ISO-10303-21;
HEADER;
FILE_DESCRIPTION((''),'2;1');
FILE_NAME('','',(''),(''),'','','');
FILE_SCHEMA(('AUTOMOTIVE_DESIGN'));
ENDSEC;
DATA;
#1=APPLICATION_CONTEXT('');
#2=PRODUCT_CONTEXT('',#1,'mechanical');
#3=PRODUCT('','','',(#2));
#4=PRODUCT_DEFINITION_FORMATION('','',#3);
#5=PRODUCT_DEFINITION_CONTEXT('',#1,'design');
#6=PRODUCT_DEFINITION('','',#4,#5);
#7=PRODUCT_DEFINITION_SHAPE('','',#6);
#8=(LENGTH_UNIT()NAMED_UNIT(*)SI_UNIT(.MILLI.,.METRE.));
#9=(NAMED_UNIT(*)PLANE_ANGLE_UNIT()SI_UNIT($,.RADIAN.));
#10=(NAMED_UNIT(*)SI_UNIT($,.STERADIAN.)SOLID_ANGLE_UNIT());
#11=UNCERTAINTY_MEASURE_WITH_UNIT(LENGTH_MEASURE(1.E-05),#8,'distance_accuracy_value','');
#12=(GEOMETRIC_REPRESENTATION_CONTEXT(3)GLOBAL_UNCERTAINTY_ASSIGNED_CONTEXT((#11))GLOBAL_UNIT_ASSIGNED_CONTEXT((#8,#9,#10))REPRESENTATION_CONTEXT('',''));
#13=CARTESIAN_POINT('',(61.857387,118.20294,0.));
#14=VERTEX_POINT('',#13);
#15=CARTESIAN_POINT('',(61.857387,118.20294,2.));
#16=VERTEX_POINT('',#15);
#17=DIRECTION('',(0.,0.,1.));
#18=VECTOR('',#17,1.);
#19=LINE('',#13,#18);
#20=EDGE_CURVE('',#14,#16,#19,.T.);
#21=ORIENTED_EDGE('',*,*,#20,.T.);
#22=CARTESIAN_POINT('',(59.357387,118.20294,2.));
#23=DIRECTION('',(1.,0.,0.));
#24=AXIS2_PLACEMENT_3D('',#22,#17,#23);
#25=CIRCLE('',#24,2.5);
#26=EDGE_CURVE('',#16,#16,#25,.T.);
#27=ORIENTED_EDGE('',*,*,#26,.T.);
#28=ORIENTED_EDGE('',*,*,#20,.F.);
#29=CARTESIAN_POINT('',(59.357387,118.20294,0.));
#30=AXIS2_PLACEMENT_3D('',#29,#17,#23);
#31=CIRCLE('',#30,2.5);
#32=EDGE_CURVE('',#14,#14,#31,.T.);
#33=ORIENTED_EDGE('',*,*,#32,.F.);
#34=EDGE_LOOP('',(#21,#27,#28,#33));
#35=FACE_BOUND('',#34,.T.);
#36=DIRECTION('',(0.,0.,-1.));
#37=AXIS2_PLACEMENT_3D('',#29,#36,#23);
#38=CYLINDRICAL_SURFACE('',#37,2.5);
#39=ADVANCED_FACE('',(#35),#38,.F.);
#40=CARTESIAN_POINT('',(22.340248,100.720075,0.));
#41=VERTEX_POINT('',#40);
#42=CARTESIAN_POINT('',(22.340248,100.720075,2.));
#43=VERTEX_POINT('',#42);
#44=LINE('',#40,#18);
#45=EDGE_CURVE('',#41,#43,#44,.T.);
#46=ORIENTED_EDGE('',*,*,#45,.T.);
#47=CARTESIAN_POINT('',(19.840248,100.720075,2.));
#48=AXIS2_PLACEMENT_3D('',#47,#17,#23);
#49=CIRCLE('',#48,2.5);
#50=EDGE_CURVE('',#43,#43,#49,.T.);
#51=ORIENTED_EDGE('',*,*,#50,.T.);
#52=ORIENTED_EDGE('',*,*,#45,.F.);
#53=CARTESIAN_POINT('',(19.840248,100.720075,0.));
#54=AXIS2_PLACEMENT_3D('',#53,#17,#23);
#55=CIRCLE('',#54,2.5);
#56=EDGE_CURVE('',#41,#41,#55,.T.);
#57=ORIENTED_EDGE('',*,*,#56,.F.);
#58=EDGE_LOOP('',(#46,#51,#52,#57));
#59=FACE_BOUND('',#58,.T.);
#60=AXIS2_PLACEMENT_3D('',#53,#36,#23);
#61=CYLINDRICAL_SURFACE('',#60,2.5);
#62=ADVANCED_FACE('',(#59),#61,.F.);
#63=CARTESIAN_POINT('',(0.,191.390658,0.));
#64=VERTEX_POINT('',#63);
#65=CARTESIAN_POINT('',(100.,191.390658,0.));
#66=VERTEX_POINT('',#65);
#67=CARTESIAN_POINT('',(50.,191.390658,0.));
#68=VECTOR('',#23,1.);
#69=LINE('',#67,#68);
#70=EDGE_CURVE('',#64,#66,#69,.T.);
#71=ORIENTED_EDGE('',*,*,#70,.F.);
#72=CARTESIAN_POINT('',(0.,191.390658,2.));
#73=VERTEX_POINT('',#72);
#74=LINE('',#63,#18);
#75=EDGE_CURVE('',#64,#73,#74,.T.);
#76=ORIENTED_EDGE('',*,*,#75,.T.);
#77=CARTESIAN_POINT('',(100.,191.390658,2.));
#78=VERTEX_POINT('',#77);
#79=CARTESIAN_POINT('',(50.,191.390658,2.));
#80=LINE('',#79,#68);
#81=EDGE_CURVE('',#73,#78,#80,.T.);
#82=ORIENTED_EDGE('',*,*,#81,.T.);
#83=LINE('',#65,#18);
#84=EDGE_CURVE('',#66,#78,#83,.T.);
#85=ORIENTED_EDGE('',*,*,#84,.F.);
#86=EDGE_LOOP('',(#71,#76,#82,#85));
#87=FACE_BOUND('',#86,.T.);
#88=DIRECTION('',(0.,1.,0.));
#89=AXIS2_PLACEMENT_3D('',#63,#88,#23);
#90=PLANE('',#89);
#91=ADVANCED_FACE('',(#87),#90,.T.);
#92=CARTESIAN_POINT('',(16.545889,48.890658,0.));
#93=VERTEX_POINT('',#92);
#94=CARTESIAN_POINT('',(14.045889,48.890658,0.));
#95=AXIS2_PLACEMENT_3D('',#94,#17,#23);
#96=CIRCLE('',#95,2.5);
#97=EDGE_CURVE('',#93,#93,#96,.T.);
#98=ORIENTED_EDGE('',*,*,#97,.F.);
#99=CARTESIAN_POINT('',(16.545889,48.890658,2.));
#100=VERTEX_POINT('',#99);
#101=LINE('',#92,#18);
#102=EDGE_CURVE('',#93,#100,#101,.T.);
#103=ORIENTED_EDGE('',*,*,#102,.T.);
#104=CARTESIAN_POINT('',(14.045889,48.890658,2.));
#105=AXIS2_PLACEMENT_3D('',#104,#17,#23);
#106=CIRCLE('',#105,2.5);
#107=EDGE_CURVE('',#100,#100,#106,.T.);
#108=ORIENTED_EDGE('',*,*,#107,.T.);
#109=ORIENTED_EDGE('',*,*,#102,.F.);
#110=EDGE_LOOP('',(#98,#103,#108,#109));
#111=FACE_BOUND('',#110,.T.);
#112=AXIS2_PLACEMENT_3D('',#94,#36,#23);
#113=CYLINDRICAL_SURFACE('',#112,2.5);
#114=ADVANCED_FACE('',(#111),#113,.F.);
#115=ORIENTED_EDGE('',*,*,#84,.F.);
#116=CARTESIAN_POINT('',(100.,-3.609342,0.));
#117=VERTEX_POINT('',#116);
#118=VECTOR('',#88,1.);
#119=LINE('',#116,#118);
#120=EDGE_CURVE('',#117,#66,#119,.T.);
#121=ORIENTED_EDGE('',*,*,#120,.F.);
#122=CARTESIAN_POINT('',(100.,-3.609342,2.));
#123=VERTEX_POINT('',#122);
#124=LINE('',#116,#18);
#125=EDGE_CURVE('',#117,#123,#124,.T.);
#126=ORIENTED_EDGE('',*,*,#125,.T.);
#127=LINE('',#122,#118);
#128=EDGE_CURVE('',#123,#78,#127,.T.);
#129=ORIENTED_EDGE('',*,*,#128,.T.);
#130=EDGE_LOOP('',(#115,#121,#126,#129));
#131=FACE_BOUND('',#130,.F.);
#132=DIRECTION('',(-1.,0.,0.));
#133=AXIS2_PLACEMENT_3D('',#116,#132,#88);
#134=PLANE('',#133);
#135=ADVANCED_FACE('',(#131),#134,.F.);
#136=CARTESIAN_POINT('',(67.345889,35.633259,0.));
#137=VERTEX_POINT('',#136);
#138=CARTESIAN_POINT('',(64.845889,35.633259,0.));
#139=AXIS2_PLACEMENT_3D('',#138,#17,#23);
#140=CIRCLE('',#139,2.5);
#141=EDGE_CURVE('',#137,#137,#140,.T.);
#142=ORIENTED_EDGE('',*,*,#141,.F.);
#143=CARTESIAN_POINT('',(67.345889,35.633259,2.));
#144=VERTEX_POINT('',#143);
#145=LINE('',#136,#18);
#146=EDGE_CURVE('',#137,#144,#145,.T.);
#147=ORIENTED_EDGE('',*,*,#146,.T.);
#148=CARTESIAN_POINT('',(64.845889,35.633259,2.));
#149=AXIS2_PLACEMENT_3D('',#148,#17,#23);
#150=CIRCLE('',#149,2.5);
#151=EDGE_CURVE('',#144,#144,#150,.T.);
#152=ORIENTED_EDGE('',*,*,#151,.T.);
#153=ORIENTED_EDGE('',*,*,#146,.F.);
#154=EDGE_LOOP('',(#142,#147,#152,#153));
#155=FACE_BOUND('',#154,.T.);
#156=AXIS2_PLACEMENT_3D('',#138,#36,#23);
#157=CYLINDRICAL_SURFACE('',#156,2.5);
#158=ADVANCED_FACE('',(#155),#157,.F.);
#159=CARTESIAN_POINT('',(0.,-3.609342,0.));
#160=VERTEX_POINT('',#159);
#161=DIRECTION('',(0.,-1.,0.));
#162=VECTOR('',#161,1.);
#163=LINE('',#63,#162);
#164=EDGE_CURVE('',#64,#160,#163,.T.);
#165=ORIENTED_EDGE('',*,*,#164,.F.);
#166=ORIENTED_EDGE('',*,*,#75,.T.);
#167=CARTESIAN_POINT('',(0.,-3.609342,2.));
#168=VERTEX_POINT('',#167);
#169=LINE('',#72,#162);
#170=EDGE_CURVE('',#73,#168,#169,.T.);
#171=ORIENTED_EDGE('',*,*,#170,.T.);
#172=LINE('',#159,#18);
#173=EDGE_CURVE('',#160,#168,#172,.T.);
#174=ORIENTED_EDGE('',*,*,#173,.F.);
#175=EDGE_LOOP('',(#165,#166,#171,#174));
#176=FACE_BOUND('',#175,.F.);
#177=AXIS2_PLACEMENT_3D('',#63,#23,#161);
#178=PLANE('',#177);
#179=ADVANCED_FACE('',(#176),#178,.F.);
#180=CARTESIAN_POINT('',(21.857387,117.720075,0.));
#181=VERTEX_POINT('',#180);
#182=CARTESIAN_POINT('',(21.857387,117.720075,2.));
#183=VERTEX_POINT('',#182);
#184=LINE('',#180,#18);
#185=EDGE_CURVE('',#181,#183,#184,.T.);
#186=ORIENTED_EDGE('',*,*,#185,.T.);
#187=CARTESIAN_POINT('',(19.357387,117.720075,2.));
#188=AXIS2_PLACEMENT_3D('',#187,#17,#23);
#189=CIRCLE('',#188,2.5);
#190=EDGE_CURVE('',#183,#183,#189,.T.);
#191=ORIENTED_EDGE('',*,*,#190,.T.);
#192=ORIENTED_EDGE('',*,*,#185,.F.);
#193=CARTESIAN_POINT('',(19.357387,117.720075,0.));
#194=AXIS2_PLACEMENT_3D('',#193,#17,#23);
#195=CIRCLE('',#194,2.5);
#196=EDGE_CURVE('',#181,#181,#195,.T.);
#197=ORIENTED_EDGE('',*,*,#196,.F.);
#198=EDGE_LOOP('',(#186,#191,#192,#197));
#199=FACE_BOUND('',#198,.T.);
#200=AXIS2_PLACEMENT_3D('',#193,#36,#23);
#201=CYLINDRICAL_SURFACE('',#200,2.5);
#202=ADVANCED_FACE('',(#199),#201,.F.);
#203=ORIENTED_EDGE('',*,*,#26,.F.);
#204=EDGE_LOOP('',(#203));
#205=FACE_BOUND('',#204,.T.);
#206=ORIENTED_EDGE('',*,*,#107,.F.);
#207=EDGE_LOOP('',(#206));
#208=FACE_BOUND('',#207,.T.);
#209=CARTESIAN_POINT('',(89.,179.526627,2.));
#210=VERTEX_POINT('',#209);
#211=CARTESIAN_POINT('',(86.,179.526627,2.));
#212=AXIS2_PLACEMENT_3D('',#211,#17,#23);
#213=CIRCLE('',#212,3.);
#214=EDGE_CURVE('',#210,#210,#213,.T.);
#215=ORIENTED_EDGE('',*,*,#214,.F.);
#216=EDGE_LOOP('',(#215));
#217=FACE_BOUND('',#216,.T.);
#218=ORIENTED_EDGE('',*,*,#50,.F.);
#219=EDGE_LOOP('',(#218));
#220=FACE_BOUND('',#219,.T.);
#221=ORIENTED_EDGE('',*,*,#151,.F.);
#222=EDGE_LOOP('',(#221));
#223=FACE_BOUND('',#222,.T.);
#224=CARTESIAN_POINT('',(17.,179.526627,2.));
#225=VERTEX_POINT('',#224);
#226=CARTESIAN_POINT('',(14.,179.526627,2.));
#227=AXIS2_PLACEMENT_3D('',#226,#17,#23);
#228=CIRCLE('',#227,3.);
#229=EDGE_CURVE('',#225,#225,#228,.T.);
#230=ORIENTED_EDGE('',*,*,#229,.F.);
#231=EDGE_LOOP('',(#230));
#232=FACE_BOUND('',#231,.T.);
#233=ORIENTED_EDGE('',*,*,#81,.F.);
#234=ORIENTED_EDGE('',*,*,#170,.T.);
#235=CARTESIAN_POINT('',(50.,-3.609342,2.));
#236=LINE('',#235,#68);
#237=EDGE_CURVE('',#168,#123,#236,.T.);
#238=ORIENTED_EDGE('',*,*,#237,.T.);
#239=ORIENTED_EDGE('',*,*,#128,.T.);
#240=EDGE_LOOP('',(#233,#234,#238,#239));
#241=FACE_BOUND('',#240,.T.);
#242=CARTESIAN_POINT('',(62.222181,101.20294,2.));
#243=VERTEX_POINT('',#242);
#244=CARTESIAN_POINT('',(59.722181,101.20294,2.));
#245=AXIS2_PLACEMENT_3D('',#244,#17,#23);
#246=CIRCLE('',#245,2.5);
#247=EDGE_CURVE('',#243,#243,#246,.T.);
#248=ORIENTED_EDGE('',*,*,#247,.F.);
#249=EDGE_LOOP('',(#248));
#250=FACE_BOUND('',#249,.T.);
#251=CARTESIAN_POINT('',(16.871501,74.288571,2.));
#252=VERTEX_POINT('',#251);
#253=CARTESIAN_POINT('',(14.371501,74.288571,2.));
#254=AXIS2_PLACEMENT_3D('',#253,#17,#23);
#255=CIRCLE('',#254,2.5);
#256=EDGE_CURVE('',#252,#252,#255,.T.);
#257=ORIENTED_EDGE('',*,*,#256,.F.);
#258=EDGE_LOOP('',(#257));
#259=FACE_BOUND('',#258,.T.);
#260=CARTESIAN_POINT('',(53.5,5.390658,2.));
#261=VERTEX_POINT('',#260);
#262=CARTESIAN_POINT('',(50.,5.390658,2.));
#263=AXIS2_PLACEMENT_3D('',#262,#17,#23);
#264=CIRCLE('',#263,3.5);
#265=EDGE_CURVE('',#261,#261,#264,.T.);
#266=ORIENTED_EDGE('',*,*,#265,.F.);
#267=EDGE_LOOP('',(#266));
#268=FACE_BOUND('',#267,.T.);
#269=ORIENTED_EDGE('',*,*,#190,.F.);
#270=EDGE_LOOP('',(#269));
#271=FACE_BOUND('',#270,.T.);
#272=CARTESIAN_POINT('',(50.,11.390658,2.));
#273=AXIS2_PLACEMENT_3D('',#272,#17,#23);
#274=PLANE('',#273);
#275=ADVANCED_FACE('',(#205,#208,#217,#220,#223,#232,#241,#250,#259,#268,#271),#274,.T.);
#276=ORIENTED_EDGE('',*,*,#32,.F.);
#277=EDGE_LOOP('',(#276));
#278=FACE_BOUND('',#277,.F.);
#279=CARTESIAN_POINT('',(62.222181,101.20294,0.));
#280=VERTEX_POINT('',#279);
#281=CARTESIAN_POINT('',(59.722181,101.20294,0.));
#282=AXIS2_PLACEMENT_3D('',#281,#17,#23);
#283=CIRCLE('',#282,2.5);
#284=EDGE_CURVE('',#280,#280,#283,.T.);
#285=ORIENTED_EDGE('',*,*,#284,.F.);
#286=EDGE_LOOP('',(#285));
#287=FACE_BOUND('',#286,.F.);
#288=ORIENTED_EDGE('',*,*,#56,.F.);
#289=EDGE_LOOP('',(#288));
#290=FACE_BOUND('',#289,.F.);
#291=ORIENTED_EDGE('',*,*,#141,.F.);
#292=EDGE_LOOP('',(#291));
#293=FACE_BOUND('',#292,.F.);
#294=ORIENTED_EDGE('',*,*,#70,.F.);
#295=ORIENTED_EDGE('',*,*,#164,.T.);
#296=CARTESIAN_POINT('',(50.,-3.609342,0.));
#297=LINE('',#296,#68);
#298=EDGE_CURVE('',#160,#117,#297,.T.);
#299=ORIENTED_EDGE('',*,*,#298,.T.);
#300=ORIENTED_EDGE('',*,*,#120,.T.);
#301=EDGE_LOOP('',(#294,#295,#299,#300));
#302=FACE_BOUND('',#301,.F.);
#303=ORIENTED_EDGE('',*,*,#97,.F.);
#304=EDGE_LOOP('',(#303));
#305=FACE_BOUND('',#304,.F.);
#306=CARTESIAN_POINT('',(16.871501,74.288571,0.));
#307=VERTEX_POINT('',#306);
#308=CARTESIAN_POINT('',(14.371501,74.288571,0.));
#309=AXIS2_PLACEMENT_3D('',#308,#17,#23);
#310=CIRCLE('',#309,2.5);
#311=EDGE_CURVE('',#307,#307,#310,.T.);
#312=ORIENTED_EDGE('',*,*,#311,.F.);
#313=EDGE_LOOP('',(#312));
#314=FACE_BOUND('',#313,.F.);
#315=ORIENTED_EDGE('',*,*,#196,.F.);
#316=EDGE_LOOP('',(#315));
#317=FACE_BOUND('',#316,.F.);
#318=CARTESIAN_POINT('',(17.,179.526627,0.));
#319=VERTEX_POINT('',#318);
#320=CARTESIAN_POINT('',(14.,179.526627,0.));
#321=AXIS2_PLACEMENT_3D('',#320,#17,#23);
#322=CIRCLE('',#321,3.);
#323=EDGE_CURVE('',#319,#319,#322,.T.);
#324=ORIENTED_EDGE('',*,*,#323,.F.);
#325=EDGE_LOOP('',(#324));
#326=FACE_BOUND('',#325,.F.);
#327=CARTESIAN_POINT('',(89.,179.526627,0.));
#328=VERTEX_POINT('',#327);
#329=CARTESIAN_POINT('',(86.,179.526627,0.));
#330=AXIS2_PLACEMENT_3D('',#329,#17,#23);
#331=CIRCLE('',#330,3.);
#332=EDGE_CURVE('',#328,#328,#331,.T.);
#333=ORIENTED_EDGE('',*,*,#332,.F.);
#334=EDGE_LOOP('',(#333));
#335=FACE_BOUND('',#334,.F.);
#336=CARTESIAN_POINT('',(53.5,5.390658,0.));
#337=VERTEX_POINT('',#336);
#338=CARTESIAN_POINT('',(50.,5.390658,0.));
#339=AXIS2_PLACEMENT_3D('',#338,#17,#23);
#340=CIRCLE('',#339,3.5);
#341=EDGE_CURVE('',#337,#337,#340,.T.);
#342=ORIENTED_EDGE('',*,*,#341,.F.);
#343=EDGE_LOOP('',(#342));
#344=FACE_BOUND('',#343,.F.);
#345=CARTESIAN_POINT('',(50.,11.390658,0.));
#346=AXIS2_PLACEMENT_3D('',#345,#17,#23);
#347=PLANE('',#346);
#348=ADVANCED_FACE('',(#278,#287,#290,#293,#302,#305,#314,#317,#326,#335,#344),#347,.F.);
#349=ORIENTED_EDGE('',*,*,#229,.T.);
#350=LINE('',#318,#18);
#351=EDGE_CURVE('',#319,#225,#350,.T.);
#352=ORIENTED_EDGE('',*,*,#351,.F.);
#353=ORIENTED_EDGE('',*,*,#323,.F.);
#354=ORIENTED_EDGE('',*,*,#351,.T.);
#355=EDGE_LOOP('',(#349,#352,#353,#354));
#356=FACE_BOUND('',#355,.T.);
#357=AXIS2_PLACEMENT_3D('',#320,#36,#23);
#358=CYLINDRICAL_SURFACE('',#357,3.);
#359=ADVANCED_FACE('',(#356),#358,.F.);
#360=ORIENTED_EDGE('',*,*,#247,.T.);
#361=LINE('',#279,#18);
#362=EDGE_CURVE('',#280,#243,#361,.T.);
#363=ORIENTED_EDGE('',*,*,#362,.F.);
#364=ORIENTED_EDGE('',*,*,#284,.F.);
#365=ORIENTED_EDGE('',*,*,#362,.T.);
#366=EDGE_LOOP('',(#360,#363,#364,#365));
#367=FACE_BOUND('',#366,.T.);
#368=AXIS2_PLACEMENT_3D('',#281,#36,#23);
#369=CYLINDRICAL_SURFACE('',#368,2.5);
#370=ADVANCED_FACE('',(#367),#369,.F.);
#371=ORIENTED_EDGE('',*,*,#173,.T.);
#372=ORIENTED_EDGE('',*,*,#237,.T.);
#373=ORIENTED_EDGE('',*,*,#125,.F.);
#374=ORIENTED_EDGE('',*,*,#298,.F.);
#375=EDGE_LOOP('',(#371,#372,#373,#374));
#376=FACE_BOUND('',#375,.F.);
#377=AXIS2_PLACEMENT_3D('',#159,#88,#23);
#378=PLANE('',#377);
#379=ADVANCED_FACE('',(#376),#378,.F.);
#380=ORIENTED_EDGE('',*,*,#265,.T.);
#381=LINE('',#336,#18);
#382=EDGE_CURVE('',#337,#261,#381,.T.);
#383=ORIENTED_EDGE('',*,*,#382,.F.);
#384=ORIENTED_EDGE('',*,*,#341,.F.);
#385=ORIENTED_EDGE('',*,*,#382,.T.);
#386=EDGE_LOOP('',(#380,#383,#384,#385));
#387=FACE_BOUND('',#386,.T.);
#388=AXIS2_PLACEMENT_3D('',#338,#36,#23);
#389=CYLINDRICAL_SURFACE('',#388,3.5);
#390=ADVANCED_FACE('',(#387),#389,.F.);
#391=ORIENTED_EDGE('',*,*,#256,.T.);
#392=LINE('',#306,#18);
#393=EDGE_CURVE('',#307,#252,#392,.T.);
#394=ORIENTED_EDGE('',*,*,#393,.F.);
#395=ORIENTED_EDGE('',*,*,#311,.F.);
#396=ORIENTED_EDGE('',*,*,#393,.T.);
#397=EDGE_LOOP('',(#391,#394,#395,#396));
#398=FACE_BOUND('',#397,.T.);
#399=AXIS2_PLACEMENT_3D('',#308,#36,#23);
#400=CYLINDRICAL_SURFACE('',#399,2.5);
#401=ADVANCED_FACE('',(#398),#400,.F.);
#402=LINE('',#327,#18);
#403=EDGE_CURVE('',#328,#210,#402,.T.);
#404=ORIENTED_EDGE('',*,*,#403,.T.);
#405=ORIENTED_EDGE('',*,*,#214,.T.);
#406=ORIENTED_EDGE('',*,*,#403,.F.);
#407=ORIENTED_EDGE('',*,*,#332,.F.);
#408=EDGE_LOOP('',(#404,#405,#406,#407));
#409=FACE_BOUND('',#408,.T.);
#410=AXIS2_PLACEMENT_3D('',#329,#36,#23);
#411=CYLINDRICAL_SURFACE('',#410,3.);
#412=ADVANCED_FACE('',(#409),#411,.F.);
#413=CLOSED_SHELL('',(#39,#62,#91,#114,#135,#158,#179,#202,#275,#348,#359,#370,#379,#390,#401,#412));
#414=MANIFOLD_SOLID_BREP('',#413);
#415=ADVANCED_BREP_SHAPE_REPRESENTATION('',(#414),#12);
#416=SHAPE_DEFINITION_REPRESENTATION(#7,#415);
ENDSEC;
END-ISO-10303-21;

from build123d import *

# Parameters (mm, degrees)
F0_W     = 100
F0_H     = 30
F0_R     = 3.5
F0_H_2   = 100
F0_R_2   = 2.5
F0_H_3   = 65
F0_R_3   = 3
F1_DEPTH = 2


with BuildPart() as f1:
    # F0 (on Top) → F1 (new body)
    with BuildSketch(Plane.XY):
        with Locations((50, 11.390658)):
            Rectangle(F0_W, F0_H)
        with Locations((50, 5.390658)):
            Circle(F0_R, mode=Mode.SUBTRACT)
        with Locations((50, 76.390658)):
            Rectangle(F0_W, F0_H_2)
        with Locations((14.045889, 48.890658)):
            Circle(F0_R_2, mode=Mode.SUBTRACT)
        with Locations((14.371501, 74.288571)):
            Circle(F0_R_2, mode=Mode.SUBTRACT)
        with Locations((64.845889, 35.633259)):
            Circle(F0_R_2, mode=Mode.SUBTRACT)
        with Locations((19.840248, 100.720075)):
            Circle(F0_R_2, mode=Mode.SUBTRACT)
        with Locations((19.357387, 117.720075)):
            Circle(F0_R_2, mode=Mode.SUBTRACT)
        with Locations((59.722181, 101.20294)):
            Circle(F0_R_2, mode=Mode.SUBTRACT)
        with Locations((59.357387, 118.20294)):
            Circle(F0_R_2, mode=Mode.SUBTRACT)
        with Locations((50, 158.890658)):
            Rectangle(F0_W, F0_H_3)
        with Locations((14, 179.526627)):
            Circle(F0_R_3, mode=Mode.SUBTRACT)
        with Locations((86, 179.526627)):
            Circle(F0_R_3, mode=Mode.SUBTRACT)
    extrude(amount=F1_DEPTH)


solid = f1.part
